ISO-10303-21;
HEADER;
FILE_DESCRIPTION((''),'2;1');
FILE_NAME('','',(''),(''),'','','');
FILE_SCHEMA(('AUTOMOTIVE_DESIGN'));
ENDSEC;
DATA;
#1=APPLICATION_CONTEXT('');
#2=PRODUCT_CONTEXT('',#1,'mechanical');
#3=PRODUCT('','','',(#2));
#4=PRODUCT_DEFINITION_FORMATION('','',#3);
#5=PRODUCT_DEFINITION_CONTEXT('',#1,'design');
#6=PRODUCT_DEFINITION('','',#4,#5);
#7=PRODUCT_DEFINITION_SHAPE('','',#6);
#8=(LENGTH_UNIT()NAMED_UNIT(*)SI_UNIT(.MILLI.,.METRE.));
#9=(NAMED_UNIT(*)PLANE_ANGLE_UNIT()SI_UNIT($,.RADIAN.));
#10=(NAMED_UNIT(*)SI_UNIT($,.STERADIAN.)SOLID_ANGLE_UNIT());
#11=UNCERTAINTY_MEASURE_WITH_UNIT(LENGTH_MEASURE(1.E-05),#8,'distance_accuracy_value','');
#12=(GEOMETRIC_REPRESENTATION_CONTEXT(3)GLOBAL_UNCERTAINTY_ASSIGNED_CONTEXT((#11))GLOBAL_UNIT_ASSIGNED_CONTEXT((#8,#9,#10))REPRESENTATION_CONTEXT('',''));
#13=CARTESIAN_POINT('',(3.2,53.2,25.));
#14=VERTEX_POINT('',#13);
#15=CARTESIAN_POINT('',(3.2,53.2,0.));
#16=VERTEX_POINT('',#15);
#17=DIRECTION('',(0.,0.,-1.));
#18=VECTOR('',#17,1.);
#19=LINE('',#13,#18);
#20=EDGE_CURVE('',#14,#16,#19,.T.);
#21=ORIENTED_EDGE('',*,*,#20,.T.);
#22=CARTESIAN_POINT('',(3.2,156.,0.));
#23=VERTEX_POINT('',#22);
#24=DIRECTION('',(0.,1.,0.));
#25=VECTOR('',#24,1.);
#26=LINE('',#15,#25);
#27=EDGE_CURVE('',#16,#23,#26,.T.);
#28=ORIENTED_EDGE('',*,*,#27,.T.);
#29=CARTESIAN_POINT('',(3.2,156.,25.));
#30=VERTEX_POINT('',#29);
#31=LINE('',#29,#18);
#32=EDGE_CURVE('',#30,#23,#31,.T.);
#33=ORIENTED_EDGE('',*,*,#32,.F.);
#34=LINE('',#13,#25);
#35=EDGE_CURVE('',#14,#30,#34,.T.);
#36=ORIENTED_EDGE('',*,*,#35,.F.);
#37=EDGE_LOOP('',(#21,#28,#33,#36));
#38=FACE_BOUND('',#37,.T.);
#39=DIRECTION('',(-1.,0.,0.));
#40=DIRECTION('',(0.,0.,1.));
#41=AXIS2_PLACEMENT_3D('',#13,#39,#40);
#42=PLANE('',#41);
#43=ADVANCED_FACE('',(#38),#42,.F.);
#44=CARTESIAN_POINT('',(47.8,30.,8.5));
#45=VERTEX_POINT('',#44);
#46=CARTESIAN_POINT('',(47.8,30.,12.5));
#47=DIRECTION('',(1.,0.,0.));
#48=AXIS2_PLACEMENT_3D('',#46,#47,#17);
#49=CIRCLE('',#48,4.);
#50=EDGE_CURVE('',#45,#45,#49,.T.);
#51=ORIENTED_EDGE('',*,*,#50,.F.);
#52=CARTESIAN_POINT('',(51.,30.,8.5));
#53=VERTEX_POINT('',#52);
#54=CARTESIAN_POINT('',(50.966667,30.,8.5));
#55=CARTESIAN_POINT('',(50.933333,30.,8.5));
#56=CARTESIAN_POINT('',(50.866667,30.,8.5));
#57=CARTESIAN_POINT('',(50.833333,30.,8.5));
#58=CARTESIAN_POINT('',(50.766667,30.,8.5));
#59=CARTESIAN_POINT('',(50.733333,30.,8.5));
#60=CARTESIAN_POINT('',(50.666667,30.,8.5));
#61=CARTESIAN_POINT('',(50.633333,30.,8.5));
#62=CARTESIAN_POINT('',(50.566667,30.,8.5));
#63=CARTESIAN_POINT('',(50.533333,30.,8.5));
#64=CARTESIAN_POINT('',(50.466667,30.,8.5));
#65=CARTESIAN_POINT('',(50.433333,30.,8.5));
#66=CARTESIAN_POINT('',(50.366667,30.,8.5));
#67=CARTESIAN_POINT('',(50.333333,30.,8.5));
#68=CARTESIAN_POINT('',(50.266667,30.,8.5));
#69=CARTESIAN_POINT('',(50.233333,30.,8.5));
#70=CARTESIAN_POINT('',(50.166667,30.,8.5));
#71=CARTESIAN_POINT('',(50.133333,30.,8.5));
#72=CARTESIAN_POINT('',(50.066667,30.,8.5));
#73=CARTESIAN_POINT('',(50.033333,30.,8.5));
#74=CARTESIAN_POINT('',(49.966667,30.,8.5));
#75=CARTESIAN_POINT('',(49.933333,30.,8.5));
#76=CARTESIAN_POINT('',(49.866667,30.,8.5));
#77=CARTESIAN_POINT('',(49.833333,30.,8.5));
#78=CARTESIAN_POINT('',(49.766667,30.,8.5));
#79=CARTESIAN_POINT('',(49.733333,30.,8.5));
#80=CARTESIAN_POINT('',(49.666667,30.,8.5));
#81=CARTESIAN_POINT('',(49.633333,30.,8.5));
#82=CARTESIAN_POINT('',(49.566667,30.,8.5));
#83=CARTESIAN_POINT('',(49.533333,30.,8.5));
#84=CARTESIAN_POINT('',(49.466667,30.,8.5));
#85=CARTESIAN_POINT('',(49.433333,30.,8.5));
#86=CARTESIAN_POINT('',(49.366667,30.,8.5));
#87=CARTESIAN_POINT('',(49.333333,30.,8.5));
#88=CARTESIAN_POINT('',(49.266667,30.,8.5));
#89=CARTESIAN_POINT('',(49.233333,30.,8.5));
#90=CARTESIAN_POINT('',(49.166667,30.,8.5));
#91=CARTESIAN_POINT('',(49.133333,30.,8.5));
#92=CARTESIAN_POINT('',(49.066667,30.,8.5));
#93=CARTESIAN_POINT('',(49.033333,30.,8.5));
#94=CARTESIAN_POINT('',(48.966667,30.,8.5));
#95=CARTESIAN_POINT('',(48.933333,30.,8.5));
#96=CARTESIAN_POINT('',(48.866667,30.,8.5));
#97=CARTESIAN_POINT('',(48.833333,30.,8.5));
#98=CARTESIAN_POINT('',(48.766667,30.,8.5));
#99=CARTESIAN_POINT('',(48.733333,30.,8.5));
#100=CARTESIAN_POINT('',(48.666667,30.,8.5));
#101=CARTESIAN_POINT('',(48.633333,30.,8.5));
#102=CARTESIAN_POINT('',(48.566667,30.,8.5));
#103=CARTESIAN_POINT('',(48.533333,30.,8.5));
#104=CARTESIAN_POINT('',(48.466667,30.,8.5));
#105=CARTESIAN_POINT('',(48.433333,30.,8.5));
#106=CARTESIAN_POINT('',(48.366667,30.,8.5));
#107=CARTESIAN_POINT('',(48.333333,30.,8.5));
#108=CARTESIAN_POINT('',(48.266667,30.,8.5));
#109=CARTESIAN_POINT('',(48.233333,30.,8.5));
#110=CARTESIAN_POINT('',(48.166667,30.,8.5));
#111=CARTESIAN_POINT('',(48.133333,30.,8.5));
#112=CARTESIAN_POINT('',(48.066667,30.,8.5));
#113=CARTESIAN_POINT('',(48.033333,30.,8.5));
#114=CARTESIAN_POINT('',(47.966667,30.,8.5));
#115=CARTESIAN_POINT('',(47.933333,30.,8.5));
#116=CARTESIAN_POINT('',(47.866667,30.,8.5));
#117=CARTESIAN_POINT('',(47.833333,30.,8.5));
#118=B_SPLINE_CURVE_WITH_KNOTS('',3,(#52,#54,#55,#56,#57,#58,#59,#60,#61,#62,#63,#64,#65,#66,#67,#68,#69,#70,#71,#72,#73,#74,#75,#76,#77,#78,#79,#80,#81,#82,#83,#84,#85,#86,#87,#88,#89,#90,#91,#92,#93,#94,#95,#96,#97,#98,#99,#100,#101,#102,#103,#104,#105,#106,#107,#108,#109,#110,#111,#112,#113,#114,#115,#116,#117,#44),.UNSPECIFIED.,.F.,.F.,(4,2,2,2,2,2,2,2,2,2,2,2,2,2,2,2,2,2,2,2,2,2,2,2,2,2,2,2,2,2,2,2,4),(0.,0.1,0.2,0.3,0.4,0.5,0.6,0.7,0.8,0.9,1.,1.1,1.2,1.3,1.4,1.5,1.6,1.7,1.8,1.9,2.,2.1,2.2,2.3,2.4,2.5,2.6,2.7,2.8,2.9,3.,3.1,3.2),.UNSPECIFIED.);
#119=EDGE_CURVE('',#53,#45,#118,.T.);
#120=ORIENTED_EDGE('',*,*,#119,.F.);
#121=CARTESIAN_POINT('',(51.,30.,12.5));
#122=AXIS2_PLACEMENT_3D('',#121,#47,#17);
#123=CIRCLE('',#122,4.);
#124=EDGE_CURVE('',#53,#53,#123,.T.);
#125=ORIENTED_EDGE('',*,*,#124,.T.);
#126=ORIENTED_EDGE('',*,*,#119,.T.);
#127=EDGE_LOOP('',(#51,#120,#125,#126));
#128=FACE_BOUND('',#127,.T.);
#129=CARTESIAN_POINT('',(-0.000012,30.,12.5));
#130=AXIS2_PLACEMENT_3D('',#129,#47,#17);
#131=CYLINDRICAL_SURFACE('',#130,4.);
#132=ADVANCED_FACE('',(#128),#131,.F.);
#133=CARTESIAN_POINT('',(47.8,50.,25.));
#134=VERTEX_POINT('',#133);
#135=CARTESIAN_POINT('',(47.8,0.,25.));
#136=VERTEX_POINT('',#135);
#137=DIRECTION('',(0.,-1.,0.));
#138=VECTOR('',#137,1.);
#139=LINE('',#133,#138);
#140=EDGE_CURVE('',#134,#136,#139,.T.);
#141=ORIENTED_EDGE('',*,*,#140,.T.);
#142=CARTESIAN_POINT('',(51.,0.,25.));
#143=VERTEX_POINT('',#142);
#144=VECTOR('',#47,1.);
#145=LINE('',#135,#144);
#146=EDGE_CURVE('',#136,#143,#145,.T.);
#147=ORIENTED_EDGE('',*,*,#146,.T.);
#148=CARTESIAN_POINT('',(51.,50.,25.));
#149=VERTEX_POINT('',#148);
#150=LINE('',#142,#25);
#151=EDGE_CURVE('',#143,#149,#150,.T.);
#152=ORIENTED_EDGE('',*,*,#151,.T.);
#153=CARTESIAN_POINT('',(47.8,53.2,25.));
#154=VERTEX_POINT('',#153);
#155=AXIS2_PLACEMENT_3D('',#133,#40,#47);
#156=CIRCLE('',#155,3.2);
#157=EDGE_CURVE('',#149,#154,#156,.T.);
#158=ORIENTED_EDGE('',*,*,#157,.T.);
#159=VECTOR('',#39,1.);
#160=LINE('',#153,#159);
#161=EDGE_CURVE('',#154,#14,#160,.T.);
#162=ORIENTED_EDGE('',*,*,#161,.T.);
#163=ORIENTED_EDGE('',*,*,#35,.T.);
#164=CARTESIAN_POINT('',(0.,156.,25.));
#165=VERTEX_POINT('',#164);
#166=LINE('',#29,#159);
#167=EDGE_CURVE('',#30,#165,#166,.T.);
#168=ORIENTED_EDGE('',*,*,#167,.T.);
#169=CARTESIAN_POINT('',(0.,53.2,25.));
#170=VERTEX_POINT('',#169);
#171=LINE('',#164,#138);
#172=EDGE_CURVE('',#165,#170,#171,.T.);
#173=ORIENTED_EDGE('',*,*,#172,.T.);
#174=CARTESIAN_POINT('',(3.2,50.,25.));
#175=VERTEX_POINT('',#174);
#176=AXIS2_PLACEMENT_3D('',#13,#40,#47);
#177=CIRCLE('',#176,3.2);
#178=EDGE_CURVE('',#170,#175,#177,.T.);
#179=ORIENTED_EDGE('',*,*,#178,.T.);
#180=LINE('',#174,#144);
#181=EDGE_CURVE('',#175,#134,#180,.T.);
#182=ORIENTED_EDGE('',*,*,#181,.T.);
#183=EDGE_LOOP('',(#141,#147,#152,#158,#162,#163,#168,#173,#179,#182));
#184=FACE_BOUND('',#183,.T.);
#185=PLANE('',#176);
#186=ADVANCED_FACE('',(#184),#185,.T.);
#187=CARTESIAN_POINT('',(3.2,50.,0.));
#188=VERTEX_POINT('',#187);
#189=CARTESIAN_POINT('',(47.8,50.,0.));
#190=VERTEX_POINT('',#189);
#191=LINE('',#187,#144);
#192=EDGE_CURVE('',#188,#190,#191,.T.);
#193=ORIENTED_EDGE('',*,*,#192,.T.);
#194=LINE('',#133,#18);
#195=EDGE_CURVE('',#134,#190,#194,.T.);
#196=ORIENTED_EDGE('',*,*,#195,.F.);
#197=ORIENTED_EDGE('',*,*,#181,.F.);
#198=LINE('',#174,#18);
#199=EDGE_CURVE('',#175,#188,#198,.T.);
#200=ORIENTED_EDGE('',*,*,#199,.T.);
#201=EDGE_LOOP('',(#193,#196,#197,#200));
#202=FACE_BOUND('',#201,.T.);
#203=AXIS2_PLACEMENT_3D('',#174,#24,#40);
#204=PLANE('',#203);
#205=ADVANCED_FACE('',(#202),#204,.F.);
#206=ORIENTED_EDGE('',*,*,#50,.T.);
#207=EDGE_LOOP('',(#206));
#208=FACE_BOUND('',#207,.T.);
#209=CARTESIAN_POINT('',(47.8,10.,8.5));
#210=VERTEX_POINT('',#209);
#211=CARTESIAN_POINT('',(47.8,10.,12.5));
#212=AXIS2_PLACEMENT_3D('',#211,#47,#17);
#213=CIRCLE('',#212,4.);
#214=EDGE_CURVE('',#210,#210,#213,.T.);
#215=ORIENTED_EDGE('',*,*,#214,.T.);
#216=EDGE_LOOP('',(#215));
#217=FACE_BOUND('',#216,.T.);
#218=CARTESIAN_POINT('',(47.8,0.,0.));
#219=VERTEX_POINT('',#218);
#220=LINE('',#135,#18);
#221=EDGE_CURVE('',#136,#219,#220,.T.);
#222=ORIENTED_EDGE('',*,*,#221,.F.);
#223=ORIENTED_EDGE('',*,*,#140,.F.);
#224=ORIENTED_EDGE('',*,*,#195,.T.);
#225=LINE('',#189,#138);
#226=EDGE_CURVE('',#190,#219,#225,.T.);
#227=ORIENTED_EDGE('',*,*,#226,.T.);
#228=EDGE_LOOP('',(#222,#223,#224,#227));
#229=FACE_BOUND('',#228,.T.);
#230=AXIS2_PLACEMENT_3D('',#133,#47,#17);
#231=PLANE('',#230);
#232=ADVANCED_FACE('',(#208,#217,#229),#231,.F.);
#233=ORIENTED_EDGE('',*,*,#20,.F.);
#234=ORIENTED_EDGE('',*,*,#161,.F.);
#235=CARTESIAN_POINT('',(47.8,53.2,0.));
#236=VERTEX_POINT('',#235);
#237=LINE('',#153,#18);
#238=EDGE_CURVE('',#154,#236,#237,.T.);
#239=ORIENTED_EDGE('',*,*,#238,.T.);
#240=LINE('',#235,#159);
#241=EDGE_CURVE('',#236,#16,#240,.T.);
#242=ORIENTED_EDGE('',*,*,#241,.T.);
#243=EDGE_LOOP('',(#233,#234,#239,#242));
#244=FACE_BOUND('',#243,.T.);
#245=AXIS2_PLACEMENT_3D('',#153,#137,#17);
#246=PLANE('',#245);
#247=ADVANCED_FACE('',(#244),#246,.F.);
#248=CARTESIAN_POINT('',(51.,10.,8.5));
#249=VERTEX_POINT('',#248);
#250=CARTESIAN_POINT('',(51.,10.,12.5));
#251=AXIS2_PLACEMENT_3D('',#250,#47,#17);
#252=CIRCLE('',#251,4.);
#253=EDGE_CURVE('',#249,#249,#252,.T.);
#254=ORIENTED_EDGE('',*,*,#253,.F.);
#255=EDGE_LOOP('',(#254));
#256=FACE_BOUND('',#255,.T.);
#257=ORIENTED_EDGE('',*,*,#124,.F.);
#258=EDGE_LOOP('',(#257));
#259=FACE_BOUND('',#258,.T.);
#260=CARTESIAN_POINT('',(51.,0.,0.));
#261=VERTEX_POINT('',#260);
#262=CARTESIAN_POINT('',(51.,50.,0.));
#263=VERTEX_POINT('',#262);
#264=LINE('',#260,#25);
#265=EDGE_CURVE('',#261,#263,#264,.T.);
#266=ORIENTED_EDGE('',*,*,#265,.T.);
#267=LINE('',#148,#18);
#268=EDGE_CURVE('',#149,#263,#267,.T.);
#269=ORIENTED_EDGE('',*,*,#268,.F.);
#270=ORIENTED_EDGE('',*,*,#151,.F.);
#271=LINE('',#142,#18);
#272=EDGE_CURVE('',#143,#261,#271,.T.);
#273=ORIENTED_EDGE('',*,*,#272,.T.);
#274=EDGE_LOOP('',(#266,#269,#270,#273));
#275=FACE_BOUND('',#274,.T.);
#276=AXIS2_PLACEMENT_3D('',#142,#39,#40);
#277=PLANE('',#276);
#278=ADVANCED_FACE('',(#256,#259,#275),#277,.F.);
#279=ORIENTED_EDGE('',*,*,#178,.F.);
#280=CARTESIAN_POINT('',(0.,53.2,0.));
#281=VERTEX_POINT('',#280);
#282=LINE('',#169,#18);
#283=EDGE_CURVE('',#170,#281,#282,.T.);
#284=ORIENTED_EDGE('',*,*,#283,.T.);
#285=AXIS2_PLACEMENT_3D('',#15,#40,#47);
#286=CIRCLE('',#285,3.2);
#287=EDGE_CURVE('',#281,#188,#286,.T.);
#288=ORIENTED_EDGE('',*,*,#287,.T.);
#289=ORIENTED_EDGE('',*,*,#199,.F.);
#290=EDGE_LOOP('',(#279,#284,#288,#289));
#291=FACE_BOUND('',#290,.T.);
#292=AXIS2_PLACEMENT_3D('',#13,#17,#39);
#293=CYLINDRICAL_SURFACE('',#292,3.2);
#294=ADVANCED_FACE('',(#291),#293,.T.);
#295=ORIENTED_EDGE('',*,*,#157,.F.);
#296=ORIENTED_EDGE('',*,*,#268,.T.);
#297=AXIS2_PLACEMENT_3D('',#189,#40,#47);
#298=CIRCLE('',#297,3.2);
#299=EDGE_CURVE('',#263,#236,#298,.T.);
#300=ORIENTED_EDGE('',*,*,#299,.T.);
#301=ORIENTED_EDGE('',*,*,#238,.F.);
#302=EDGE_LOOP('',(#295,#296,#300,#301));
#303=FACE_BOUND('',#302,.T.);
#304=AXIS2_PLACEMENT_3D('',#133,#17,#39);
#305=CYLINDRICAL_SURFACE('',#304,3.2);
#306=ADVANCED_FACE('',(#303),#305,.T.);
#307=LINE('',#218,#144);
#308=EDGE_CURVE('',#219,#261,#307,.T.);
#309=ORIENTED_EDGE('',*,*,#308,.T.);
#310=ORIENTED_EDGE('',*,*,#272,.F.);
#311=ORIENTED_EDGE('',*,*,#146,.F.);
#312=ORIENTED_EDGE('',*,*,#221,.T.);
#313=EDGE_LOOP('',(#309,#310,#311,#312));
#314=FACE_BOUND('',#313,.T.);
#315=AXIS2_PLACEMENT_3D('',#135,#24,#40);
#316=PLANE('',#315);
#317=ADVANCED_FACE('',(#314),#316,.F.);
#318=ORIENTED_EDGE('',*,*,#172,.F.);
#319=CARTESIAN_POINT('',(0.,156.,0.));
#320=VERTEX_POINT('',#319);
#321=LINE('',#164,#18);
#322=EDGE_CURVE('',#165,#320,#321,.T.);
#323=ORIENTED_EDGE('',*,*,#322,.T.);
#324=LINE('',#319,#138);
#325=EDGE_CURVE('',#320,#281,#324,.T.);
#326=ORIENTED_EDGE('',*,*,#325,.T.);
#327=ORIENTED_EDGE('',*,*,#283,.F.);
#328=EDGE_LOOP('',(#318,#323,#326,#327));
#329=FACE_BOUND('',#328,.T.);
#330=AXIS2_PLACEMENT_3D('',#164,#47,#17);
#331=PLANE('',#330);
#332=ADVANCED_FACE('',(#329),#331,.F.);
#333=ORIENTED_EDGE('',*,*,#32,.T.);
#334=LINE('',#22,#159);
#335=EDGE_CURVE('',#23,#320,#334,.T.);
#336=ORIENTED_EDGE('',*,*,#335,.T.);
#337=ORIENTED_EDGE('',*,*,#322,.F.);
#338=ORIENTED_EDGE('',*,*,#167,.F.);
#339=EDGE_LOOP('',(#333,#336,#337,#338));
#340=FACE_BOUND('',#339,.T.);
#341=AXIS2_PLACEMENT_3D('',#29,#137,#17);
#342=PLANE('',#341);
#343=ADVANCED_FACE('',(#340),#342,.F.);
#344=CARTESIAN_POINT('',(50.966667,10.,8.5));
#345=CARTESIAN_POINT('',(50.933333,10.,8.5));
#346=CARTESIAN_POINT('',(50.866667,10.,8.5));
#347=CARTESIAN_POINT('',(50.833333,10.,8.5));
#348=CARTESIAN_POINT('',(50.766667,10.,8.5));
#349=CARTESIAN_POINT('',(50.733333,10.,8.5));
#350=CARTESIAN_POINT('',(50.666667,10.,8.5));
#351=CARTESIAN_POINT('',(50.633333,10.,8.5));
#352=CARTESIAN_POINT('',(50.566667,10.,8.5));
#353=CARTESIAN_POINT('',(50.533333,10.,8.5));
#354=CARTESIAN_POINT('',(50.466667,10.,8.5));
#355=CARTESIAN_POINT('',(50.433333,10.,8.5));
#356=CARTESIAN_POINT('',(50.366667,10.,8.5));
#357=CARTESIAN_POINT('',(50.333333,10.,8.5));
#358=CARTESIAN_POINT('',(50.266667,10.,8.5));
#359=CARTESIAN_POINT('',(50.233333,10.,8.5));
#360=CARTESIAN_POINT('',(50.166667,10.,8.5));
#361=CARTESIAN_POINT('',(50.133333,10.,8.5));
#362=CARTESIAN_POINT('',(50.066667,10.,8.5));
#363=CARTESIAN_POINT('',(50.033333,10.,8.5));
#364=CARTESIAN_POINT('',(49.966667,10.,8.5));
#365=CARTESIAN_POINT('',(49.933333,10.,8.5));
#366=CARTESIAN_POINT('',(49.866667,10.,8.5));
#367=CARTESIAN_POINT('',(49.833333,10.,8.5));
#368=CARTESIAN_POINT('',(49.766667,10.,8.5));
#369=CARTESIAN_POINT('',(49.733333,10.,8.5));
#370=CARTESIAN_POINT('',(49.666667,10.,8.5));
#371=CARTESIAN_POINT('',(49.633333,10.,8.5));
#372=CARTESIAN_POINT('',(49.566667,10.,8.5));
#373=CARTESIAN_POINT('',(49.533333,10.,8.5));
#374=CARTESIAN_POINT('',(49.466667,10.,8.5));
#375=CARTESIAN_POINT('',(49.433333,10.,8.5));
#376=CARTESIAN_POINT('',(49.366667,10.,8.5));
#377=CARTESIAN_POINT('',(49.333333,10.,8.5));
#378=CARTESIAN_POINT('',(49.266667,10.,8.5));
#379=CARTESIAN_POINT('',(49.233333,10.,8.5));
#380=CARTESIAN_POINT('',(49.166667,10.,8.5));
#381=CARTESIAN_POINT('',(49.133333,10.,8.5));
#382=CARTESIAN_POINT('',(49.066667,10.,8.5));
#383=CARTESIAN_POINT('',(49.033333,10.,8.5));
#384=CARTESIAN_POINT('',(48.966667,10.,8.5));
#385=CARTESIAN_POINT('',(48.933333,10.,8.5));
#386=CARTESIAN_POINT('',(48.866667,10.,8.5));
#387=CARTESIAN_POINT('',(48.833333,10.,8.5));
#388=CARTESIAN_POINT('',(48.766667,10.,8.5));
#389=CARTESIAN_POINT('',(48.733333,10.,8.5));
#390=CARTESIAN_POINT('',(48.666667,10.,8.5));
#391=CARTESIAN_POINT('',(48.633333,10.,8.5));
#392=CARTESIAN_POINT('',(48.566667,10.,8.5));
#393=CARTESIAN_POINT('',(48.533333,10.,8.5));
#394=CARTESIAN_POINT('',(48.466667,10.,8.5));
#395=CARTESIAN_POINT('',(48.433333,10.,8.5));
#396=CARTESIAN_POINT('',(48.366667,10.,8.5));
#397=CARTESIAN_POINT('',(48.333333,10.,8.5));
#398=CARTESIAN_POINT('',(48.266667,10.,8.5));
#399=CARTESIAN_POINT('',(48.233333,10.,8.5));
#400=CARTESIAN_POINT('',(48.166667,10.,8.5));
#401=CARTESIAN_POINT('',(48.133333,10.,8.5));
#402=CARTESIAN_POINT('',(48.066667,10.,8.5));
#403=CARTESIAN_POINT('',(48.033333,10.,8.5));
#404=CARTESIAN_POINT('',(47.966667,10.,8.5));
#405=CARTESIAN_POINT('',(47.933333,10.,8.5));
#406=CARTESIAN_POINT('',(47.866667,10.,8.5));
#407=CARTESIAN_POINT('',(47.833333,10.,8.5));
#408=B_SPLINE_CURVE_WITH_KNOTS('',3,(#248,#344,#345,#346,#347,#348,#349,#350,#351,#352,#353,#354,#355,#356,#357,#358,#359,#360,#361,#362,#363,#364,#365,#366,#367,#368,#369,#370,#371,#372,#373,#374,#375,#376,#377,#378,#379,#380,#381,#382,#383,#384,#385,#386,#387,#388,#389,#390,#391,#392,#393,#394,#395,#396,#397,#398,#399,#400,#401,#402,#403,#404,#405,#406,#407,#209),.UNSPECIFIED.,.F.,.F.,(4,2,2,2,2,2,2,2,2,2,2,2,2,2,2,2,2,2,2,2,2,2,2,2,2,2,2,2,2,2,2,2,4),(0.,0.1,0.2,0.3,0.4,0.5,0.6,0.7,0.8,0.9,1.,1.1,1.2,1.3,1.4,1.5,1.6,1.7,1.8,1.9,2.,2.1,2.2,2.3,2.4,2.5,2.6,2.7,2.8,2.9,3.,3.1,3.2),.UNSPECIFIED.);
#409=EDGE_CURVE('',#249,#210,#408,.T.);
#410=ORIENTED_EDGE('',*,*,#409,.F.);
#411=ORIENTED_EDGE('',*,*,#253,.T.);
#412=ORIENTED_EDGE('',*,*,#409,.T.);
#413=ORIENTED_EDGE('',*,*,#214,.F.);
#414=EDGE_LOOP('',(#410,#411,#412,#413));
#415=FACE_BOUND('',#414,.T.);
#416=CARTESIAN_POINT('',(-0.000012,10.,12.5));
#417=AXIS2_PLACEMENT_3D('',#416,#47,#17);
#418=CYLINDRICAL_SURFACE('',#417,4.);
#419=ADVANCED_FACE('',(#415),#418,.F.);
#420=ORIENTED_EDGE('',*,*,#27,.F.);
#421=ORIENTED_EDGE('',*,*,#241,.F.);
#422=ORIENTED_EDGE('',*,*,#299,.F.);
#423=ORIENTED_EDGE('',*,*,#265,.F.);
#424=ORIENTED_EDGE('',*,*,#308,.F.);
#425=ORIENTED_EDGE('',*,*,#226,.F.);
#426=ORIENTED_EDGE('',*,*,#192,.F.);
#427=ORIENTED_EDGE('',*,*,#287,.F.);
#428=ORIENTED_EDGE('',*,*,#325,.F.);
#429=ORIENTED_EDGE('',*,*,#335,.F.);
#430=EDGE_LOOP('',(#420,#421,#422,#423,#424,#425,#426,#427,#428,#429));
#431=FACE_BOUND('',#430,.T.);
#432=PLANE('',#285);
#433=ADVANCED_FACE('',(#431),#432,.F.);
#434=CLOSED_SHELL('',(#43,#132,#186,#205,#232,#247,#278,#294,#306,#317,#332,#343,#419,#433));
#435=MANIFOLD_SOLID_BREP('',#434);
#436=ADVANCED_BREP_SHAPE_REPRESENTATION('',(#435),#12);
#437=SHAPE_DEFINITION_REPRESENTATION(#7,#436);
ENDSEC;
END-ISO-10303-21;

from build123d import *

# Parameters (mm, degrees)
EXTRUDE_1_DEPTH          = 25
CUT_EXTRUDE_5_DEPTH      = 167.018071306
CUT_EXTRUDE_5_DEPTH_BACK = 167.018071306
SKETCH_7_R               = 4


with BuildPart() as part:
    # ｽｹｯﾁ1 → ﾎﾞｽ - 押し出し1 (new body)
    with BuildSketch(Plane.XY):
        with BuildLine():
            Line((0, 156), (0, 53.2))
            ThreePointArc((0, 53.2), (0.9372583, 50.9372583), (3.2, 50))
            Line((3.2, 50), (47.8, 50))
            Line((47.8, 50), (47.8, 0))
            Line((47.8, 0), (51, 0))
            Line((51, 0), (51, 50))
            ThreePointArc((51, 50), (50.0627417, 52.2627417), (47.8, 53.2))
            Line((47.8, 53.2), (3.2, 53.2))
            Line((3.2, 53.2), (3.2, 156))
            Line((3.2, 156), (0, 156))
        make_face()
    extrude(amount=EXTRUDE_1_DEPTH)

    # ｽｹｯﾁ7 → ｶｯﾄ - 押し出し5 (cut, two sides: drawn at the far end of the back side and taken through both)
    with BuildSketch(Plane(origin=(0, 0, 0), x_dir=(0, 0, -1), z_dir=(1, 0, 0)).offset(-CUT_EXTRUDE_5_DEPTH_BACK)):
        with Locations((-12.5, 10)):
            Circle(SKETCH_7_R)
        with Locations((-12.5, 30)):
            Circle(SKETCH_7_R)
    extrude(amount=CUT_EXTRUDE_5_DEPTH + CUT_EXTRUDE_5_DEPTH_BACK, mode=Mode.SUBTRACT)


solid = part.part
